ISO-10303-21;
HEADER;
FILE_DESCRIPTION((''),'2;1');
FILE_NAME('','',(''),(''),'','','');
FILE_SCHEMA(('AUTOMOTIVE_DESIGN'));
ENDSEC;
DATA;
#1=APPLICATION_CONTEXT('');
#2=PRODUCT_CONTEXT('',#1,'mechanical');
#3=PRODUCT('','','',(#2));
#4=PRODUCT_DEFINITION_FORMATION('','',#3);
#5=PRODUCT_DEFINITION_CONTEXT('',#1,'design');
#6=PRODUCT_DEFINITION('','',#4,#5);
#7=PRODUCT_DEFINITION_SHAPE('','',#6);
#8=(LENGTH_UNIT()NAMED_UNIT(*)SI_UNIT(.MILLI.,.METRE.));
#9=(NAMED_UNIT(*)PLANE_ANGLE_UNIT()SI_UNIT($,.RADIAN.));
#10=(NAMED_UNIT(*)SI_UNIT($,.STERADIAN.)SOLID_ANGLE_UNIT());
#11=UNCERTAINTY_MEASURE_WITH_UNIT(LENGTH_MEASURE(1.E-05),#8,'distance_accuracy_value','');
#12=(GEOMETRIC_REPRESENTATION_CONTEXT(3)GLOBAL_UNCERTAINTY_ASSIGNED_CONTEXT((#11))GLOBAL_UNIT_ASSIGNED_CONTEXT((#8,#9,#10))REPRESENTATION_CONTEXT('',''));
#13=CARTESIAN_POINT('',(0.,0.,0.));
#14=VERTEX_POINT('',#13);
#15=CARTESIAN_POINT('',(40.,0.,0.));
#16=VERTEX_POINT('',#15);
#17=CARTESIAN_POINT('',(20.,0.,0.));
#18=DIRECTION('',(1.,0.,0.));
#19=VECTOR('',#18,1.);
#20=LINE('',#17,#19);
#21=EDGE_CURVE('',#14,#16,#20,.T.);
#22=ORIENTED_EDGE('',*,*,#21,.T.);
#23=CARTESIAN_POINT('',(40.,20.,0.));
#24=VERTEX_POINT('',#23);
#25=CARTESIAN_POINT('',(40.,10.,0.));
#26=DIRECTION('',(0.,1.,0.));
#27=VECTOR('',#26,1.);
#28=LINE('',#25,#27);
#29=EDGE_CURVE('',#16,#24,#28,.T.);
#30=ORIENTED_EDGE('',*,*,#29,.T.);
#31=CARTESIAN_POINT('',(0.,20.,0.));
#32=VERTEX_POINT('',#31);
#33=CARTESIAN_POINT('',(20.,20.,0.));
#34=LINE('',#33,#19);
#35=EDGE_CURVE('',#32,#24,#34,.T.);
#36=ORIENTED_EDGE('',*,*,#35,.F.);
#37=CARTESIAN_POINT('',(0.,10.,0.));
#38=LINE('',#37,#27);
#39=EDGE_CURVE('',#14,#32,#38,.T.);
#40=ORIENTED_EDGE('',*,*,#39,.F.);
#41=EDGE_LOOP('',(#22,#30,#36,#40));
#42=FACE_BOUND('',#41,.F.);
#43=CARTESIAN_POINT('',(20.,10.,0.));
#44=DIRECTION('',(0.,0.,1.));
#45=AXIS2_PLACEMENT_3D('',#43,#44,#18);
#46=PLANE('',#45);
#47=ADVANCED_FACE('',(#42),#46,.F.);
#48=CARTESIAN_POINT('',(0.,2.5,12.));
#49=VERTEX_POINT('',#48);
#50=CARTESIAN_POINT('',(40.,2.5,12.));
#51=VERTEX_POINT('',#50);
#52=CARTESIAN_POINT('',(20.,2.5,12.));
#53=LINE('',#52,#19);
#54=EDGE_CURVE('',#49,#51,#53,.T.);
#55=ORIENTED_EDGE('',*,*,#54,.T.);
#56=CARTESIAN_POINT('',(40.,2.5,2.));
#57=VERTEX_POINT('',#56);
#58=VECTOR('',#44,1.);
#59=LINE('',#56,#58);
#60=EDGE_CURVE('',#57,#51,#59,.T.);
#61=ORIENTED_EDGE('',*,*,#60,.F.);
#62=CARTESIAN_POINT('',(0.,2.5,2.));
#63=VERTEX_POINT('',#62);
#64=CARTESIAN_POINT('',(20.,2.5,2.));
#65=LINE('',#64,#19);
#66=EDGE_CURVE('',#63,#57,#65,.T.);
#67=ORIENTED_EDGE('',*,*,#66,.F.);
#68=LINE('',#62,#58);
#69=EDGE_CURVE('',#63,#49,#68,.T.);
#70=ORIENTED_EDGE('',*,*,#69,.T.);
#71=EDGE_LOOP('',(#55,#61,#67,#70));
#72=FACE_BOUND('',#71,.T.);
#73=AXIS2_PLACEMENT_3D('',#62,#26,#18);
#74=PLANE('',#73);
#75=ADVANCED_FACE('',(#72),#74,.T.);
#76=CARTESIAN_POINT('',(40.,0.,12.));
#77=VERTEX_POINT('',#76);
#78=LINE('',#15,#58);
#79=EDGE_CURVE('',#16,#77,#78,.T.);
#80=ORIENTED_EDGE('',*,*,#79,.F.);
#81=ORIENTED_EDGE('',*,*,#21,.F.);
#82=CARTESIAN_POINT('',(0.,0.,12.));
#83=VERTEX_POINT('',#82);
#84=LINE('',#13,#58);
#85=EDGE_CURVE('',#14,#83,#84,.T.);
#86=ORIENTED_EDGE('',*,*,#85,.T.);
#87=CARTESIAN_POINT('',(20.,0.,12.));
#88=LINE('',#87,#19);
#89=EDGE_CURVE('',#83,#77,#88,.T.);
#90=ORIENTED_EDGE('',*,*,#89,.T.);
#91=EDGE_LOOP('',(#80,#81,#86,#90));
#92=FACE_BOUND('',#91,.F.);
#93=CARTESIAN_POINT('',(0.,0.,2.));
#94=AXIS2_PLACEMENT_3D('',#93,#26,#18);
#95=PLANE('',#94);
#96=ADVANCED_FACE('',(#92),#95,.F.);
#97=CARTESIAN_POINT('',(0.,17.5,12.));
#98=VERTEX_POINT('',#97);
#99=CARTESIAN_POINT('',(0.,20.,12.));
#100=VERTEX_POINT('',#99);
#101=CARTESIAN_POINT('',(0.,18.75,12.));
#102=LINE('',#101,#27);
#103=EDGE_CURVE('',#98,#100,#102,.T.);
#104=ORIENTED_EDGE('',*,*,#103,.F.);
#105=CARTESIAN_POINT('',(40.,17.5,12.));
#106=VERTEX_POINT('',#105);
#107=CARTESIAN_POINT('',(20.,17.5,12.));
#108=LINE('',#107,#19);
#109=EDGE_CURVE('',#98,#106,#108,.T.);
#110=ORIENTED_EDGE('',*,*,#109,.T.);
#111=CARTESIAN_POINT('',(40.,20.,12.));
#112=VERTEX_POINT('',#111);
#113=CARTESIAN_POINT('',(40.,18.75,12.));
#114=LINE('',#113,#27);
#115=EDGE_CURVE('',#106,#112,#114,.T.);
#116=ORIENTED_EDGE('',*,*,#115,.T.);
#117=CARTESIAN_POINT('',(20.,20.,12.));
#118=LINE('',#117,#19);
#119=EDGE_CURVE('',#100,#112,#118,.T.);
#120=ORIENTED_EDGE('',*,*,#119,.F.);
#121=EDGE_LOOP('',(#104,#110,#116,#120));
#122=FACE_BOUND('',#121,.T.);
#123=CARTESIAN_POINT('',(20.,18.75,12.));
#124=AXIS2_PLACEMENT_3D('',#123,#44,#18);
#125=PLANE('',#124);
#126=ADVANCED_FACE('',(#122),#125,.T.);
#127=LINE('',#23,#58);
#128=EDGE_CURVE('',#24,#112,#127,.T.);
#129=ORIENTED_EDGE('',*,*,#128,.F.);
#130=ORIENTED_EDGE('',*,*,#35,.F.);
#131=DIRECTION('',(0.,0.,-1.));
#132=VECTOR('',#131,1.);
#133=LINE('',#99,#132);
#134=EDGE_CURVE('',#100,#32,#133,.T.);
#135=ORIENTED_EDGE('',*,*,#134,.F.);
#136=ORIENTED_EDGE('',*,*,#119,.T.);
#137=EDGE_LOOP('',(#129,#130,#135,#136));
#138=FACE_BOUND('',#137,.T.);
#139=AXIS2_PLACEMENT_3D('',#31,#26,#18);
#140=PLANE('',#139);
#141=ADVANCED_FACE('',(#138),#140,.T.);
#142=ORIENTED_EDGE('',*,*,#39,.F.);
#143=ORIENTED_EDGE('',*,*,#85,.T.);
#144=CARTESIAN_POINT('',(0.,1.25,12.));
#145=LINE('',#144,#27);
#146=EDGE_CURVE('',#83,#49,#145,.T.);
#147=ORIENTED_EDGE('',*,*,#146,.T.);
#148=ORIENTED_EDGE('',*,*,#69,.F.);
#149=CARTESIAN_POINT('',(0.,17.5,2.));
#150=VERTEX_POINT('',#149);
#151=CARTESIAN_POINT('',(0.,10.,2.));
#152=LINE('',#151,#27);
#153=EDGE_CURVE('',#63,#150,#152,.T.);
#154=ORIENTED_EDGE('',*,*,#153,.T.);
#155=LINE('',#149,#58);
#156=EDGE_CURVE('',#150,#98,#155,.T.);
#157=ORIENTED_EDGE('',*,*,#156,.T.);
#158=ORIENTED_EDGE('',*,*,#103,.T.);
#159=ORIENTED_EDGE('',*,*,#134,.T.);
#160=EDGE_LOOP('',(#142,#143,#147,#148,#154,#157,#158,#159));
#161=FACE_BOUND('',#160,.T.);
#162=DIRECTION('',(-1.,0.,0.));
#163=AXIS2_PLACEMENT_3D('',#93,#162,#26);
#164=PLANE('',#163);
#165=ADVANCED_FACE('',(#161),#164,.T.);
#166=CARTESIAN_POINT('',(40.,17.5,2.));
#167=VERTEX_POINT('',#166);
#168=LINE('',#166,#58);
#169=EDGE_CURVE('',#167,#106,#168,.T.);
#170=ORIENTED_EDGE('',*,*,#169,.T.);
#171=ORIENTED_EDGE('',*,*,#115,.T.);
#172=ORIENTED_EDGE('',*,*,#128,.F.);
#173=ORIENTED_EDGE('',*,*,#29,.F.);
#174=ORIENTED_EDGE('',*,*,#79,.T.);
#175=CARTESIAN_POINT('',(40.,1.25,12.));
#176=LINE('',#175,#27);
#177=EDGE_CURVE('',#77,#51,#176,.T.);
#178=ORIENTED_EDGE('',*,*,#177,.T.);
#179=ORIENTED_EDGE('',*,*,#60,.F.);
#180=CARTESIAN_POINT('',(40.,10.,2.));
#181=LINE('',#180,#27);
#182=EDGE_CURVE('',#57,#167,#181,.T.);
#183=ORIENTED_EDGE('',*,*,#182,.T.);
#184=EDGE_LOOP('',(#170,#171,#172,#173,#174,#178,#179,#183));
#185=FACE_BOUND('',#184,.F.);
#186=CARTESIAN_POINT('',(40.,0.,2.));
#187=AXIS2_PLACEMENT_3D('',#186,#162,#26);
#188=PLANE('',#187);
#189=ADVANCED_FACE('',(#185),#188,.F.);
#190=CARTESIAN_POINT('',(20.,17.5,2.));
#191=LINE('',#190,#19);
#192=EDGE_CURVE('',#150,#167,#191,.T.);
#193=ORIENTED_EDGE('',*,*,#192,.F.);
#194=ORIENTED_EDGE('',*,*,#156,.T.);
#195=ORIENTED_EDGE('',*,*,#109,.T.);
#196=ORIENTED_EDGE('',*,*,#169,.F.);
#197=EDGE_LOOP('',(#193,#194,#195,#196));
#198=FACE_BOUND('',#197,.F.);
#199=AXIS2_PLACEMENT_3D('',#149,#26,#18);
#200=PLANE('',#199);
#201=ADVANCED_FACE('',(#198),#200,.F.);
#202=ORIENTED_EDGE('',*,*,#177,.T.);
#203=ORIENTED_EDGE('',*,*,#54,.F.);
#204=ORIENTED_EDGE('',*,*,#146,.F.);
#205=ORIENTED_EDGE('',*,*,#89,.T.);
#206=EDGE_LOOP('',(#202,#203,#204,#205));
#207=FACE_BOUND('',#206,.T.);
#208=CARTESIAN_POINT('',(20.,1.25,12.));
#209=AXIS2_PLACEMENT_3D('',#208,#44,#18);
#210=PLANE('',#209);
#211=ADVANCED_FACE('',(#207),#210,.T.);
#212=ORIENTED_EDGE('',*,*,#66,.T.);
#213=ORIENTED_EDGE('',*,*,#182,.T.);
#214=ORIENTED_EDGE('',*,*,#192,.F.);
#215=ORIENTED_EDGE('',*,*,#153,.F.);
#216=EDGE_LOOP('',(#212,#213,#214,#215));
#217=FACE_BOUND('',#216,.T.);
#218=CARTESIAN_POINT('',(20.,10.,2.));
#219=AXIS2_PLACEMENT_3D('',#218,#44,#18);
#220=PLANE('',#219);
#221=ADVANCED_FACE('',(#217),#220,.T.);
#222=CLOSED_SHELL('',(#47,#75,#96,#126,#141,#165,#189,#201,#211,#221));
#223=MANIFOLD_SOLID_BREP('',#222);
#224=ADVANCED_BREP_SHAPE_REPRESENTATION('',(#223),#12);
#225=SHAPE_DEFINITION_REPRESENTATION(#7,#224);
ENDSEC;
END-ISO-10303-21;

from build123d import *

# Parameters (mm, degrees)
SKETCH_W     = 40
SKETCH_H     = 20
PAD_DEPTH    = 2
SKETCH001_W  = 40
SKETCH001_H  = 2.5
PAD001_DEPTH = 10


with BuildPart() as part:
    # Sketch → Pad (new body)
    with BuildSketch(Plane.XY):
        with Locations((20, 10)):
            Rectangle(SKETCH_W, SKETCH_H)
    extrude(amount=PAD_DEPTH)

    # Sketch001 (on Face6 of Pad) → Pad001 (join)
    with BuildSketch(Plane.XY.offset(2)):
        with Locations((20, 1.25)):
            Rectangle(SKETCH001_W, SKETCH001_H)
        with Locations((20, 18.75)):
            Rectangle(SKETCH001_W, SKETCH001_H)
        Polygon((0, 2.5), (0, 0), align=None)
    extrude(amount=PAD001_DEPTH)


solid = part.part
